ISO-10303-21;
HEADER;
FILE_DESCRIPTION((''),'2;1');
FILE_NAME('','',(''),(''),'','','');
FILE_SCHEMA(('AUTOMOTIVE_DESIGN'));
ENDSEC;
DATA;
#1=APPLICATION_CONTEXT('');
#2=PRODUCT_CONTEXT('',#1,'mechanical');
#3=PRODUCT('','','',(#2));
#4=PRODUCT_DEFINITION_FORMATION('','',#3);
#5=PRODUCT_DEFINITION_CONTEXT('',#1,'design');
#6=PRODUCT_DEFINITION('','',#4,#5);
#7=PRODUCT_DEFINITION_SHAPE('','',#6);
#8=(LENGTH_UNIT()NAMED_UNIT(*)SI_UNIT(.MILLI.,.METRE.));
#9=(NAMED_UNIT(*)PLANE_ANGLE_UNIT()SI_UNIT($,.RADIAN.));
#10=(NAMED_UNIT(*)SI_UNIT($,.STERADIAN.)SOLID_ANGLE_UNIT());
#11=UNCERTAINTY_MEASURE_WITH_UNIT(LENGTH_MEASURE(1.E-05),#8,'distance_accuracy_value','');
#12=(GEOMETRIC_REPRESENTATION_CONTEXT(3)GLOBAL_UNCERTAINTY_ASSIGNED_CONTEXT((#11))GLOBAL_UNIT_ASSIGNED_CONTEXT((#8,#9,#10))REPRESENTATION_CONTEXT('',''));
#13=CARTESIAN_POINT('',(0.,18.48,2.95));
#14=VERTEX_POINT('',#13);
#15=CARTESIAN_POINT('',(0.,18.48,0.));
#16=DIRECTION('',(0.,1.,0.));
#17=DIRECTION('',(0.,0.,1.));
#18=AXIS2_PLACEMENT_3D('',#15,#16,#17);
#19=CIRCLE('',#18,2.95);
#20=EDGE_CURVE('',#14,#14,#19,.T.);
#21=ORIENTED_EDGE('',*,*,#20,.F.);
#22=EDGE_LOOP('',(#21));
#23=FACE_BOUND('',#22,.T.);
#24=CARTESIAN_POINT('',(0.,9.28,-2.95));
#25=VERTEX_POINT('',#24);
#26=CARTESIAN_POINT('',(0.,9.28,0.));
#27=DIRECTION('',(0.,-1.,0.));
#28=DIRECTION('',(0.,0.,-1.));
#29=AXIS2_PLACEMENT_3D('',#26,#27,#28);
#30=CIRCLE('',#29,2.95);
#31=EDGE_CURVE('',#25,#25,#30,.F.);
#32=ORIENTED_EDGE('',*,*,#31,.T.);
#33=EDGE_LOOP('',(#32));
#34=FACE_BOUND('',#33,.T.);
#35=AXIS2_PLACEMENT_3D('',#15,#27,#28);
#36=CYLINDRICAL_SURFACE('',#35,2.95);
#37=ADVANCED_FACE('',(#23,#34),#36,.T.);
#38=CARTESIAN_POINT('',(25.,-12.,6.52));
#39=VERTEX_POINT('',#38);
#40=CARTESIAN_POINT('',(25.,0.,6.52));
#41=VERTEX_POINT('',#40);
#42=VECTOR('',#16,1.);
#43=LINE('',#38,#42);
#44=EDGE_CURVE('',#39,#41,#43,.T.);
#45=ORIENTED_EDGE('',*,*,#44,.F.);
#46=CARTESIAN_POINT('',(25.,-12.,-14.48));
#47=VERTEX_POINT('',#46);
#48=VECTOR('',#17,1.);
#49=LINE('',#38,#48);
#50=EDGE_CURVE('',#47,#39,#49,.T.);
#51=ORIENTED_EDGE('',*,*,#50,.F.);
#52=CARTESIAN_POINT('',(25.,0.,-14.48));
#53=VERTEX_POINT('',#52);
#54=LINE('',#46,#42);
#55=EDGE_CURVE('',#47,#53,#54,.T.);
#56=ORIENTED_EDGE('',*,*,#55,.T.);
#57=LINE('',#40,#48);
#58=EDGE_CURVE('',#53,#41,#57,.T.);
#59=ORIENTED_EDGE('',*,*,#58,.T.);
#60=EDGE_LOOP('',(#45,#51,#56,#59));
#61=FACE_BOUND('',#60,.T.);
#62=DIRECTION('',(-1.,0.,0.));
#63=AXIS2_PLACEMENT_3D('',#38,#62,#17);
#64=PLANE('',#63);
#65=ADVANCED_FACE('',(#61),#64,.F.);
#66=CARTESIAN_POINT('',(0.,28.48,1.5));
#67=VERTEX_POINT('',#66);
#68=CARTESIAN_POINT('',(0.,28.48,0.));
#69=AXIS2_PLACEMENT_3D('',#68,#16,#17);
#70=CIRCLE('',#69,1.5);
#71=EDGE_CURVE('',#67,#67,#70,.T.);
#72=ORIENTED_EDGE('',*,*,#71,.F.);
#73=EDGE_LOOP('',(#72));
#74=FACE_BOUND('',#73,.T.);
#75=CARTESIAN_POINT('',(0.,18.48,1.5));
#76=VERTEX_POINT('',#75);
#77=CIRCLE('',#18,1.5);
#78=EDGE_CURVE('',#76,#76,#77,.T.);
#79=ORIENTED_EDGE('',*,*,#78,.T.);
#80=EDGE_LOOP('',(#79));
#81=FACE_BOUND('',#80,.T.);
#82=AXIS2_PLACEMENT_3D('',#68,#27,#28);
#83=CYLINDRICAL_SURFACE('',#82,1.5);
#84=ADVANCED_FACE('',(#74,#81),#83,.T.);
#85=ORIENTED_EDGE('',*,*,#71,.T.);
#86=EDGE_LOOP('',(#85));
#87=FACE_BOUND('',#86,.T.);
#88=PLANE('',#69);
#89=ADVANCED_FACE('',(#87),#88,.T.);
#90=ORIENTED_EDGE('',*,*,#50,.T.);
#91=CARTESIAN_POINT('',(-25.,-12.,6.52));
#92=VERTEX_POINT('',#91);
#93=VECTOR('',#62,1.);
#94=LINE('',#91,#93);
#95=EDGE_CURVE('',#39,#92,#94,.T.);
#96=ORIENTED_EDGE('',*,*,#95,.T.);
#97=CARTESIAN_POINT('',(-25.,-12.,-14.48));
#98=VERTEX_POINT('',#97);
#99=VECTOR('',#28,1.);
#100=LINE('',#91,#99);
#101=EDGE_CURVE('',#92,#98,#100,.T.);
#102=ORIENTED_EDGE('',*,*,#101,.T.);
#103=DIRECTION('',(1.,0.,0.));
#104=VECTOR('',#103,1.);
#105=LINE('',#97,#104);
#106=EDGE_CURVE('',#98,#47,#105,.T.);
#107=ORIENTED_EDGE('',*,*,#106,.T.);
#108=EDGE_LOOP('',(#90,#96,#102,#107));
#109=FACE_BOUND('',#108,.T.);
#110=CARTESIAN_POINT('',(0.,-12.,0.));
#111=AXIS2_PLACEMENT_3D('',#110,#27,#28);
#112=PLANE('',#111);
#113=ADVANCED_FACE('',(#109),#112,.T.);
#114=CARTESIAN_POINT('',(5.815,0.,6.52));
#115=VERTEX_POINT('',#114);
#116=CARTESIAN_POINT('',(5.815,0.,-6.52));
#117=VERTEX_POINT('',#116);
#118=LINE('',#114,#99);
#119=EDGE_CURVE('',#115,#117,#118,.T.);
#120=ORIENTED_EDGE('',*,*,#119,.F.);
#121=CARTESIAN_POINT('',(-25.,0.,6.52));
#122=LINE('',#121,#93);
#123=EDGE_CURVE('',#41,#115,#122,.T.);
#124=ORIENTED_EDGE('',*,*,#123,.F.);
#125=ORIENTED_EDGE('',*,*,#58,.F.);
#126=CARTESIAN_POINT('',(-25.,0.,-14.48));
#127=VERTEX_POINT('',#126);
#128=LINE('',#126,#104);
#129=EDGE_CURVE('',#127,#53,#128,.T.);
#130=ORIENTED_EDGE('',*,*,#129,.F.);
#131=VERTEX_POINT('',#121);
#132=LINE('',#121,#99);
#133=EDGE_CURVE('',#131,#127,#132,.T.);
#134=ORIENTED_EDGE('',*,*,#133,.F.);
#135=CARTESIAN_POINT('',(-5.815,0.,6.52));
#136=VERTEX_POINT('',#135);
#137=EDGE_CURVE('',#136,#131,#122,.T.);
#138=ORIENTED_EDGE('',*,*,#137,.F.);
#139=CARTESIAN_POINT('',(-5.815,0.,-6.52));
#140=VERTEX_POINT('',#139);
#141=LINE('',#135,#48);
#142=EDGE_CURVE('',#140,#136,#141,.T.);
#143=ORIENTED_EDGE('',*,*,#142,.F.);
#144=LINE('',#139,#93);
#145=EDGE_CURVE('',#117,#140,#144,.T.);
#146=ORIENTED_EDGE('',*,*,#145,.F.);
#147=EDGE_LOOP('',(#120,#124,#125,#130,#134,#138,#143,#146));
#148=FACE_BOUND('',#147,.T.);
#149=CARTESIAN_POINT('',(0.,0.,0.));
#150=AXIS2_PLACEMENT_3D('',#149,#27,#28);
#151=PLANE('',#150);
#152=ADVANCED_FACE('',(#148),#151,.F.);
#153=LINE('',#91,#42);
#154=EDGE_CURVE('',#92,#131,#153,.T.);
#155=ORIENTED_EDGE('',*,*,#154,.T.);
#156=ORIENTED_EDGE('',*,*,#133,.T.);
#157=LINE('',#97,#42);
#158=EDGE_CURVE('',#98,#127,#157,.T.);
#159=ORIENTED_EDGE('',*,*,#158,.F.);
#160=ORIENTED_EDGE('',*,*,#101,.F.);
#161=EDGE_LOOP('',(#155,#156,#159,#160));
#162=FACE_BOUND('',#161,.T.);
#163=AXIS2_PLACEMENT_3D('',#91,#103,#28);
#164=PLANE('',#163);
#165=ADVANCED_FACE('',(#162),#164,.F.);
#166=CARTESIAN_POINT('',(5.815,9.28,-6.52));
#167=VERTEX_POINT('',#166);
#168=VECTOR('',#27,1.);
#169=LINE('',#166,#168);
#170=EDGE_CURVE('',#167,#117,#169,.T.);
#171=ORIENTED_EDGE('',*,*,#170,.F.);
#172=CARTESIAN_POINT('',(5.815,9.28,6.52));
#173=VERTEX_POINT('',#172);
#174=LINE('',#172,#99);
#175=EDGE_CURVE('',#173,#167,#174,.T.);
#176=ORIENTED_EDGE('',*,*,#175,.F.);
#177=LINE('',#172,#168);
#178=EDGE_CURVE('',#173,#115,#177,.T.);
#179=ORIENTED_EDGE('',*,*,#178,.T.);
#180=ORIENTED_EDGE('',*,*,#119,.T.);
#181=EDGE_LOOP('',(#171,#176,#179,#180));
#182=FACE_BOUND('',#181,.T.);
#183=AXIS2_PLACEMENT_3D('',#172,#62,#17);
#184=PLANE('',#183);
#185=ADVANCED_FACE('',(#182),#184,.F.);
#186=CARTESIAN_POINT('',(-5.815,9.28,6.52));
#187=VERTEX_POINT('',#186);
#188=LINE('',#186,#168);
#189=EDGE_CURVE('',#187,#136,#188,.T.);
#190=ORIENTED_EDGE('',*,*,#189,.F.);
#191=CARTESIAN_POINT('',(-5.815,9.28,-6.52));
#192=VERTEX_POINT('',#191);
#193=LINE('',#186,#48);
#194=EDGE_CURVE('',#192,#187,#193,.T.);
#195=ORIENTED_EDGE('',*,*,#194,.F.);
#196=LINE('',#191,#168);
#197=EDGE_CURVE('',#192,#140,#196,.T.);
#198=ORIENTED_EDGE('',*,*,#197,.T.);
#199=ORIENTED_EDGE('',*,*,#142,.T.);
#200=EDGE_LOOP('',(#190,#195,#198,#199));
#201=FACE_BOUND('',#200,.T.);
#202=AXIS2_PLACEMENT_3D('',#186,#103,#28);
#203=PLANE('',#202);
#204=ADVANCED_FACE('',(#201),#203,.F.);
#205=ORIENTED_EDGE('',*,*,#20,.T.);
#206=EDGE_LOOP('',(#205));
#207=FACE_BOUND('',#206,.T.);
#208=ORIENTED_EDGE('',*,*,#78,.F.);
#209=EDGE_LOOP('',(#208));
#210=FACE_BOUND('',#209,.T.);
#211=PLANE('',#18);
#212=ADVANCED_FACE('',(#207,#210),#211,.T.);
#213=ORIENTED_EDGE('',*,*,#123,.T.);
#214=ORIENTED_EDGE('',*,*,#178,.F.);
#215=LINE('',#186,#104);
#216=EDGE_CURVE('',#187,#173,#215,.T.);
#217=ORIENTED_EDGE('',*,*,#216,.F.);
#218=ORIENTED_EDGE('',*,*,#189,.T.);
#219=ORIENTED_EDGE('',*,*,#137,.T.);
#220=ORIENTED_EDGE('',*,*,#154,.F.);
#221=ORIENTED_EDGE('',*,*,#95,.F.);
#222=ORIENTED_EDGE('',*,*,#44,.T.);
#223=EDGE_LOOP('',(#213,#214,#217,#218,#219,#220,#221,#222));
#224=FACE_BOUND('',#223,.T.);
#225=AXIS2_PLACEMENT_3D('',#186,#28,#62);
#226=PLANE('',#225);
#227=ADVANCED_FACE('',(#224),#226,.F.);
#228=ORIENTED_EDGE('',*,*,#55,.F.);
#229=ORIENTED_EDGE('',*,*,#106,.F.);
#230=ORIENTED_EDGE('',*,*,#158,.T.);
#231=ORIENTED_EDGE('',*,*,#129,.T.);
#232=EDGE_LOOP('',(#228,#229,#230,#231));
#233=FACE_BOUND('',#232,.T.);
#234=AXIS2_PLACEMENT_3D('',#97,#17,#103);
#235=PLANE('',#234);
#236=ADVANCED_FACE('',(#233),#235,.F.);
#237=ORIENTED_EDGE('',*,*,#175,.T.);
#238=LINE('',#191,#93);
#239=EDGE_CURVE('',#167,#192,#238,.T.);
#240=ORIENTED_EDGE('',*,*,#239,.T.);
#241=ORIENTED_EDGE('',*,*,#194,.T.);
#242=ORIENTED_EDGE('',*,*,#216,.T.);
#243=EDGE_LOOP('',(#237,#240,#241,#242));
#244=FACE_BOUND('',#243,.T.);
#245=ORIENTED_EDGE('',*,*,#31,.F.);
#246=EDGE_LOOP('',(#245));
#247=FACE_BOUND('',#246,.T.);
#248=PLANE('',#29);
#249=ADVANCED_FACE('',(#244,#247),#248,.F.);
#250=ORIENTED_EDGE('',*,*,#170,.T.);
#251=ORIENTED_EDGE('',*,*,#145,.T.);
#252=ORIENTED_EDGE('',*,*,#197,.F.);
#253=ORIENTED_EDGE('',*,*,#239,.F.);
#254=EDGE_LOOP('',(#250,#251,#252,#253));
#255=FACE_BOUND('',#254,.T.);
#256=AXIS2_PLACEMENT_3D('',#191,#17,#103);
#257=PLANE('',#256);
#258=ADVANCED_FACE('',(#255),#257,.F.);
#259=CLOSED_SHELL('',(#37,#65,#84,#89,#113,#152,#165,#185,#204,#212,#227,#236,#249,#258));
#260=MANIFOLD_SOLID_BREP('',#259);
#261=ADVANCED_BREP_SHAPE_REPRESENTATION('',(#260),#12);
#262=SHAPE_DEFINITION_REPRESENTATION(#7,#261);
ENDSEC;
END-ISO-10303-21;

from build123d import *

# Parameters (mm, degrees)
SKETCH1_W           = 11.63
SKETCH1_H           = 13.04
BOSS_EXTRUDE1_DEPTH = 9.28
SKETCH2_W           = 50
SKETCH2_H           = 21
BOSS_EXTRUDE2_DEPTH = 12
SKETCH3_R           = 2.95
BOSS_EXTRUDE3_DEPTH = 9.2
SKETCH4_R           = 1.5
BOSS_EXTRUDE4_DEPTH = 10


with BuildPart() as part:
    # Sketch1 → Boss-Extrude1 (new body)
    with BuildSketch(Plane(origin=(0, 0, 0), x_dir=(1, 0, 0), z_dir=(0, 1, 0))):
        Rectangle(SKETCH1_W, SKETCH1_H)
    extrude(amount=BOSS_EXTRUDE1_DEPTH)

    # Sketch2 → Boss-Extrude2 (add)
    with BuildSketch(Plane.XZ):
        with Locations((0, -3.98)):
            Rectangle(SKETCH2_W, SKETCH2_H)
    extrude(amount=BOSS_EXTRUDE2_DEPTH)

    # Sketch3 → Boss-Extrude3 (add)
    with BuildSketch(Plane(origin=(0, 9.28, 0), x_dir=(1, 0, 0), z_dir=(0, 1, 0))):
        with Locations(Location((0, 0, 0), (0, 0, 90))):
            Circle(SKETCH3_R)
    extrude(amount=BOSS_EXTRUDE3_DEPTH)

    # Sketch4 → Boss-Extrude4 (add)
    with BuildSketch(Plane(origin=(0, 18.48, 0), x_dir=(1, 0, 0), z_dir=(0, 1, 0))):
        with Locations(Location((0, 0, 0), (0, 0, 270))):
            Circle(SKETCH4_R)
    extrude(amount=BOSS_EXTRUDE4_DEPTH)


solid = part.part
